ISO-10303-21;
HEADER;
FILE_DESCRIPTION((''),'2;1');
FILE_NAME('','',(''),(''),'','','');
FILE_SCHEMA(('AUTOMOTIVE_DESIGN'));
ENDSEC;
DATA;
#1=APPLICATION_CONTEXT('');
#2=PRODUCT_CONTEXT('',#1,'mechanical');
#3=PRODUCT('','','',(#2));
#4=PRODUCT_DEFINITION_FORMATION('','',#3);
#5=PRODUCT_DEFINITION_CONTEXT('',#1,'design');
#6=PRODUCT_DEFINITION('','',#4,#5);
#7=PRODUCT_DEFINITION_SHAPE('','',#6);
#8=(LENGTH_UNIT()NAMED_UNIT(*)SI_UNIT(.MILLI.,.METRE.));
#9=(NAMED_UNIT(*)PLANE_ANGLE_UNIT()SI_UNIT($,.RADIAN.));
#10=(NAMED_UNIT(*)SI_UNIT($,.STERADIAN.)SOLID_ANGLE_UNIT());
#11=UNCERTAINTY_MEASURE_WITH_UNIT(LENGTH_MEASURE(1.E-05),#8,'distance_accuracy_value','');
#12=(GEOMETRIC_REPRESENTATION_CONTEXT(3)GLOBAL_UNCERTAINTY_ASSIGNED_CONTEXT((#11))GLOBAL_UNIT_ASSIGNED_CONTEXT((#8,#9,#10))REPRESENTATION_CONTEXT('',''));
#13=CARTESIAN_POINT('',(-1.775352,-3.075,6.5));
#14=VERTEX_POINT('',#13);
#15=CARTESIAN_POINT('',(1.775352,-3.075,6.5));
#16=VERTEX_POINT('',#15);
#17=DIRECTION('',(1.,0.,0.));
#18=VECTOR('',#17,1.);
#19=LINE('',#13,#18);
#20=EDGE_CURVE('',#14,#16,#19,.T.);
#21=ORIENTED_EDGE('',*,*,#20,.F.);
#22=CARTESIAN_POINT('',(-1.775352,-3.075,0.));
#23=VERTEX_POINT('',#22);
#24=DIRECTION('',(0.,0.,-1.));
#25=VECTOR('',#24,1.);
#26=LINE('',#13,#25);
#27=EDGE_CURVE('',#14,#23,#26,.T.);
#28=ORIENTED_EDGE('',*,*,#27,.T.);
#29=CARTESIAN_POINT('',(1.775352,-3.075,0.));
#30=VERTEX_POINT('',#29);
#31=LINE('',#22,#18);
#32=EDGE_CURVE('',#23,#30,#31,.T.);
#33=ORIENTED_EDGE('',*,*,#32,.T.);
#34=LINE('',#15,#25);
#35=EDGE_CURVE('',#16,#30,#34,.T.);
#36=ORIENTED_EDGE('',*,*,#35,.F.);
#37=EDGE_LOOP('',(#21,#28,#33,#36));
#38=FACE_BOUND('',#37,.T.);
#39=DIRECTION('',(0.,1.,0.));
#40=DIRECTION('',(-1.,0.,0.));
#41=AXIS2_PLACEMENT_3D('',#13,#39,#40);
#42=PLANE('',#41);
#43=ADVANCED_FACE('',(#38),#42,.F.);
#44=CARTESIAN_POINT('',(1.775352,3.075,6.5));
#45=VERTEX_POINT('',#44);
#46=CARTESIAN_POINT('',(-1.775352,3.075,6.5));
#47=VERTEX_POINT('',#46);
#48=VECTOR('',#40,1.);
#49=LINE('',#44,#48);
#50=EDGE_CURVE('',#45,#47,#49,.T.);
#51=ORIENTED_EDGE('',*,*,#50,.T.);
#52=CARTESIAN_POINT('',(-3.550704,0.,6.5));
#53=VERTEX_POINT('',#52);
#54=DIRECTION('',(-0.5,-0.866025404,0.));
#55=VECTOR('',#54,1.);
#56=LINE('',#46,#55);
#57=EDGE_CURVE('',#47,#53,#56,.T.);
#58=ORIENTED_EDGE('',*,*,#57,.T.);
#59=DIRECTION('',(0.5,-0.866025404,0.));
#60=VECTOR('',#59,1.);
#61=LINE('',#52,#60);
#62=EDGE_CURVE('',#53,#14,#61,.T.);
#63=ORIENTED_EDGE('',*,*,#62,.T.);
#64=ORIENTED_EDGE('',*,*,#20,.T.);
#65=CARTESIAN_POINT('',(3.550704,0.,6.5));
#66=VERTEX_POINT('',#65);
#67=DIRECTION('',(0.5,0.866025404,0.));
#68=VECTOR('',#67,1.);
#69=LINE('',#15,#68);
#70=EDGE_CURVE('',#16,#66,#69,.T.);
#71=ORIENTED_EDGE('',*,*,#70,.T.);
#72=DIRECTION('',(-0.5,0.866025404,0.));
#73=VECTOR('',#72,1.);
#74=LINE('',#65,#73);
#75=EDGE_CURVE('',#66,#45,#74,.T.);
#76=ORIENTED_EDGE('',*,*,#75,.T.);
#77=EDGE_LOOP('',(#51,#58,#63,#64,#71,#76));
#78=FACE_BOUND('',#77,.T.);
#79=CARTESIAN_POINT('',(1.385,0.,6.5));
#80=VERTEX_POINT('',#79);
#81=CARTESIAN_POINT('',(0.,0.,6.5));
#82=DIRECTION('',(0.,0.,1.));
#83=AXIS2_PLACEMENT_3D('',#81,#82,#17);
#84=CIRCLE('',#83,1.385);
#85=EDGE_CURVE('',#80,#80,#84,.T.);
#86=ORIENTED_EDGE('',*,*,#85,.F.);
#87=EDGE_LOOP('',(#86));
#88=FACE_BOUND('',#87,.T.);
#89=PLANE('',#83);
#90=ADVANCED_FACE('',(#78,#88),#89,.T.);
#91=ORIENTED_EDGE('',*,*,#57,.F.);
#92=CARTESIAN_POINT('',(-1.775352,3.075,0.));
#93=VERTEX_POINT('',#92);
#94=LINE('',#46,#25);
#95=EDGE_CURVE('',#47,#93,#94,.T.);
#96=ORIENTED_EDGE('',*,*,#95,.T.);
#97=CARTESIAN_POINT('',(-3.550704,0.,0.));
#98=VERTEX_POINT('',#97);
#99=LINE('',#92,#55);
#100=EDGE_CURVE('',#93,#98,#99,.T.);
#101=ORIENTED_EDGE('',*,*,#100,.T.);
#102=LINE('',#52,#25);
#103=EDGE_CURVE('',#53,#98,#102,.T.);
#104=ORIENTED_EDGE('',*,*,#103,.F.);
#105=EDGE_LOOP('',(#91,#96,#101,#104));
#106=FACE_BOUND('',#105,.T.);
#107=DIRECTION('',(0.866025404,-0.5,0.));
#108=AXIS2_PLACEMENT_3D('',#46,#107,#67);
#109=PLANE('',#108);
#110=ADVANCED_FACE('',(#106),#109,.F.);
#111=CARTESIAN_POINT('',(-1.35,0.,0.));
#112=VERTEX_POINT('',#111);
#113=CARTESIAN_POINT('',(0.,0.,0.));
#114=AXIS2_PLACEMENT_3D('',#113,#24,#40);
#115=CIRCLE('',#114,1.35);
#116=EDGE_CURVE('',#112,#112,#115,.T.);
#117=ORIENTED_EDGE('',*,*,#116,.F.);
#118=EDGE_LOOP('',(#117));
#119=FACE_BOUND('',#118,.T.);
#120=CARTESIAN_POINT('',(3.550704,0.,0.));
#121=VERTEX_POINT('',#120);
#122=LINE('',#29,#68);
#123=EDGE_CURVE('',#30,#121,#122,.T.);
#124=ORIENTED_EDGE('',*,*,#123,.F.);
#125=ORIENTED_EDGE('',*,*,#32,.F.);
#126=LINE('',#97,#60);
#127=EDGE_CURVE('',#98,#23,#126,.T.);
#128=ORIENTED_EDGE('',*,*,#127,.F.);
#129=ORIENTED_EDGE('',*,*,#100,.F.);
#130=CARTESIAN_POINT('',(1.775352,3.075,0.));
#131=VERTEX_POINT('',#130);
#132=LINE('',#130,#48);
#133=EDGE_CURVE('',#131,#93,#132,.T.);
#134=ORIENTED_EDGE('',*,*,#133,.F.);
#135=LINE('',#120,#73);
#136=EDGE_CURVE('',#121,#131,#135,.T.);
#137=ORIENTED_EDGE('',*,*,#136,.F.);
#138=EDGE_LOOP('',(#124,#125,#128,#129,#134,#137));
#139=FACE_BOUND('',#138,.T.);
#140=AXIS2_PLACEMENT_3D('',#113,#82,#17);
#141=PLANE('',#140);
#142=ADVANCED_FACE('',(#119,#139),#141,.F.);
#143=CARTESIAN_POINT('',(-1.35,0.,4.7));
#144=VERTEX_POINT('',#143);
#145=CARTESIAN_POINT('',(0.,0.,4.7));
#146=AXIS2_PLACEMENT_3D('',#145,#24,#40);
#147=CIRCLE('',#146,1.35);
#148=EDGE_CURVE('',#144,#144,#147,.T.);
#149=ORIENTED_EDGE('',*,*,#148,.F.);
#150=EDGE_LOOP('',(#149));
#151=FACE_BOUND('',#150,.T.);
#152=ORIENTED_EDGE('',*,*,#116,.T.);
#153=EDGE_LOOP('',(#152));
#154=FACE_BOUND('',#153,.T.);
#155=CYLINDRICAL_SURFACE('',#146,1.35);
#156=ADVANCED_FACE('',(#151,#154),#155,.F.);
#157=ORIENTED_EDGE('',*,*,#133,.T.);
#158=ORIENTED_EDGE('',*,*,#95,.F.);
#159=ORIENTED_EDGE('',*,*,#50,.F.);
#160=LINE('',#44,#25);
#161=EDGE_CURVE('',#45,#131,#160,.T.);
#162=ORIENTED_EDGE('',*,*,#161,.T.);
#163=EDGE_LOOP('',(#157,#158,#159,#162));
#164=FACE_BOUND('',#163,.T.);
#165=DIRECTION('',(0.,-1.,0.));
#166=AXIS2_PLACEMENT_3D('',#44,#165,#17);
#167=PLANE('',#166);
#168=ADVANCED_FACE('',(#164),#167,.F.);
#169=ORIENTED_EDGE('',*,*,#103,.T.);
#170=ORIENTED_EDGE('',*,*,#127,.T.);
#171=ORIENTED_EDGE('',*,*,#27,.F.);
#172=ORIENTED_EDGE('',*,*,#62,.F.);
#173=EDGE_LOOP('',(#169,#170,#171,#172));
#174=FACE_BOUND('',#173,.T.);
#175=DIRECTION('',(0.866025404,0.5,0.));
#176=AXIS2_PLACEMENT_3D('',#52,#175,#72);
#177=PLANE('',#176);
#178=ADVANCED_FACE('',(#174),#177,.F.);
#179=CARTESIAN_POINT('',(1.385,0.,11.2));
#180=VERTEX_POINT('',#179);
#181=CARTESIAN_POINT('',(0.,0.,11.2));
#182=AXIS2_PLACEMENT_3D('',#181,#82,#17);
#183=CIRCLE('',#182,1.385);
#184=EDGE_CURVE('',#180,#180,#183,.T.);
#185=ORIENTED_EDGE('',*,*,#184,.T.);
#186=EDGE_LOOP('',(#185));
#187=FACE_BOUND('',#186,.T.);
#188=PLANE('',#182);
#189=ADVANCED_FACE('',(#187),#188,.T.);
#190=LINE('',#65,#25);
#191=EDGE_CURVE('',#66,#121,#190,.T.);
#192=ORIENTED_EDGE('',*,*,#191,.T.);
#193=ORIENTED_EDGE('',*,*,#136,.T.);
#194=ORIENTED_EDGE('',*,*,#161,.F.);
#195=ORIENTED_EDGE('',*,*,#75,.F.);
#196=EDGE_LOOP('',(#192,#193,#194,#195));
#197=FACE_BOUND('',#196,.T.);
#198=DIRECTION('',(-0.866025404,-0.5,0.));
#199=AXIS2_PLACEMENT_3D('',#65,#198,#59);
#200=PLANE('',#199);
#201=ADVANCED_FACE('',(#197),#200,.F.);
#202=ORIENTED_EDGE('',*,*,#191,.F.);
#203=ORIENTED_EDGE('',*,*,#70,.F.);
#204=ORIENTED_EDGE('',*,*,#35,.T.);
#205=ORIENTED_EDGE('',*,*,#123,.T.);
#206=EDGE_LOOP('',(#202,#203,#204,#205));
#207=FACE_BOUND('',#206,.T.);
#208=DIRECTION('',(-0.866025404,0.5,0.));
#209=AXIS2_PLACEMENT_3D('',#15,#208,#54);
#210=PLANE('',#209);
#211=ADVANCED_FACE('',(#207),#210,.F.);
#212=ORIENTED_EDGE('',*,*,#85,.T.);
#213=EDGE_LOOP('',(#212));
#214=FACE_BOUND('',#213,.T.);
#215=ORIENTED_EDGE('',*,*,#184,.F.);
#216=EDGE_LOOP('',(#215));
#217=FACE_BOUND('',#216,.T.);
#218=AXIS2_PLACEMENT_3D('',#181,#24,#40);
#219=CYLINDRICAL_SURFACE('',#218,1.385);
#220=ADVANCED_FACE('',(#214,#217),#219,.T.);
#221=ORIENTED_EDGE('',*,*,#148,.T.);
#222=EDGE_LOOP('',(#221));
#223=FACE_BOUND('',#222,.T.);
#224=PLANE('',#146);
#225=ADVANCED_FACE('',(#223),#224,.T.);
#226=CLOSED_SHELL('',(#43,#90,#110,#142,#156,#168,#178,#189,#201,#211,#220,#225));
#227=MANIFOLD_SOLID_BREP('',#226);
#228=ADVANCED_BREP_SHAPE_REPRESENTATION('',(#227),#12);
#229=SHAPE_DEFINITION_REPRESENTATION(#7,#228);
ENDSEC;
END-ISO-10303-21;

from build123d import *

# Parameters (mm, degrees)
BOSS_EXTRU_1_DEPTH      = 6.5
ESQUISSE2_R             = 1.385
BOSS_EXTRU_2_DEPTH      = 4.7
ESQUISSE3_R             = 1.35
ENL_V_MAT_EXTRU_1_DEPTH = 4.7


with BuildPart() as part:
    # Esquisse1 → Boss.-Extru.1 (new body)
    with BuildSketch(Plane.XY):
        Polygon((3.550704156, 0), (1.775352078, 3.075), (-1.775352078, 3.075), (-3.550704156, 0), (-1.775352078, -3.075), (1.775352078, -3.075), align=None)
    extrude(amount=BOSS_EXTRU_1_DEPTH)

    # Esquisse2 → Boss.-Extru.2 (add)
    with BuildSketch(Plane.XY.offset(6.5)):
        Circle(ESQUISSE2_R)
    extrude(amount=BOSS_EXTRU_2_DEPTH)

    # Esquisse3 → Enlèv. mat.-Extru.1 (cut)
    with BuildSketch(Plane(origin=(0, 0, 0), x_dir=(-1, 0, 0), z_dir=(0, 0, -1))):
        Circle(ESQUISSE3_R)
    extrude(amount=-ENL_V_MAT_EXTRU_1_DEPTH, mode=Mode.SUBTRACT)


solid = part.part
